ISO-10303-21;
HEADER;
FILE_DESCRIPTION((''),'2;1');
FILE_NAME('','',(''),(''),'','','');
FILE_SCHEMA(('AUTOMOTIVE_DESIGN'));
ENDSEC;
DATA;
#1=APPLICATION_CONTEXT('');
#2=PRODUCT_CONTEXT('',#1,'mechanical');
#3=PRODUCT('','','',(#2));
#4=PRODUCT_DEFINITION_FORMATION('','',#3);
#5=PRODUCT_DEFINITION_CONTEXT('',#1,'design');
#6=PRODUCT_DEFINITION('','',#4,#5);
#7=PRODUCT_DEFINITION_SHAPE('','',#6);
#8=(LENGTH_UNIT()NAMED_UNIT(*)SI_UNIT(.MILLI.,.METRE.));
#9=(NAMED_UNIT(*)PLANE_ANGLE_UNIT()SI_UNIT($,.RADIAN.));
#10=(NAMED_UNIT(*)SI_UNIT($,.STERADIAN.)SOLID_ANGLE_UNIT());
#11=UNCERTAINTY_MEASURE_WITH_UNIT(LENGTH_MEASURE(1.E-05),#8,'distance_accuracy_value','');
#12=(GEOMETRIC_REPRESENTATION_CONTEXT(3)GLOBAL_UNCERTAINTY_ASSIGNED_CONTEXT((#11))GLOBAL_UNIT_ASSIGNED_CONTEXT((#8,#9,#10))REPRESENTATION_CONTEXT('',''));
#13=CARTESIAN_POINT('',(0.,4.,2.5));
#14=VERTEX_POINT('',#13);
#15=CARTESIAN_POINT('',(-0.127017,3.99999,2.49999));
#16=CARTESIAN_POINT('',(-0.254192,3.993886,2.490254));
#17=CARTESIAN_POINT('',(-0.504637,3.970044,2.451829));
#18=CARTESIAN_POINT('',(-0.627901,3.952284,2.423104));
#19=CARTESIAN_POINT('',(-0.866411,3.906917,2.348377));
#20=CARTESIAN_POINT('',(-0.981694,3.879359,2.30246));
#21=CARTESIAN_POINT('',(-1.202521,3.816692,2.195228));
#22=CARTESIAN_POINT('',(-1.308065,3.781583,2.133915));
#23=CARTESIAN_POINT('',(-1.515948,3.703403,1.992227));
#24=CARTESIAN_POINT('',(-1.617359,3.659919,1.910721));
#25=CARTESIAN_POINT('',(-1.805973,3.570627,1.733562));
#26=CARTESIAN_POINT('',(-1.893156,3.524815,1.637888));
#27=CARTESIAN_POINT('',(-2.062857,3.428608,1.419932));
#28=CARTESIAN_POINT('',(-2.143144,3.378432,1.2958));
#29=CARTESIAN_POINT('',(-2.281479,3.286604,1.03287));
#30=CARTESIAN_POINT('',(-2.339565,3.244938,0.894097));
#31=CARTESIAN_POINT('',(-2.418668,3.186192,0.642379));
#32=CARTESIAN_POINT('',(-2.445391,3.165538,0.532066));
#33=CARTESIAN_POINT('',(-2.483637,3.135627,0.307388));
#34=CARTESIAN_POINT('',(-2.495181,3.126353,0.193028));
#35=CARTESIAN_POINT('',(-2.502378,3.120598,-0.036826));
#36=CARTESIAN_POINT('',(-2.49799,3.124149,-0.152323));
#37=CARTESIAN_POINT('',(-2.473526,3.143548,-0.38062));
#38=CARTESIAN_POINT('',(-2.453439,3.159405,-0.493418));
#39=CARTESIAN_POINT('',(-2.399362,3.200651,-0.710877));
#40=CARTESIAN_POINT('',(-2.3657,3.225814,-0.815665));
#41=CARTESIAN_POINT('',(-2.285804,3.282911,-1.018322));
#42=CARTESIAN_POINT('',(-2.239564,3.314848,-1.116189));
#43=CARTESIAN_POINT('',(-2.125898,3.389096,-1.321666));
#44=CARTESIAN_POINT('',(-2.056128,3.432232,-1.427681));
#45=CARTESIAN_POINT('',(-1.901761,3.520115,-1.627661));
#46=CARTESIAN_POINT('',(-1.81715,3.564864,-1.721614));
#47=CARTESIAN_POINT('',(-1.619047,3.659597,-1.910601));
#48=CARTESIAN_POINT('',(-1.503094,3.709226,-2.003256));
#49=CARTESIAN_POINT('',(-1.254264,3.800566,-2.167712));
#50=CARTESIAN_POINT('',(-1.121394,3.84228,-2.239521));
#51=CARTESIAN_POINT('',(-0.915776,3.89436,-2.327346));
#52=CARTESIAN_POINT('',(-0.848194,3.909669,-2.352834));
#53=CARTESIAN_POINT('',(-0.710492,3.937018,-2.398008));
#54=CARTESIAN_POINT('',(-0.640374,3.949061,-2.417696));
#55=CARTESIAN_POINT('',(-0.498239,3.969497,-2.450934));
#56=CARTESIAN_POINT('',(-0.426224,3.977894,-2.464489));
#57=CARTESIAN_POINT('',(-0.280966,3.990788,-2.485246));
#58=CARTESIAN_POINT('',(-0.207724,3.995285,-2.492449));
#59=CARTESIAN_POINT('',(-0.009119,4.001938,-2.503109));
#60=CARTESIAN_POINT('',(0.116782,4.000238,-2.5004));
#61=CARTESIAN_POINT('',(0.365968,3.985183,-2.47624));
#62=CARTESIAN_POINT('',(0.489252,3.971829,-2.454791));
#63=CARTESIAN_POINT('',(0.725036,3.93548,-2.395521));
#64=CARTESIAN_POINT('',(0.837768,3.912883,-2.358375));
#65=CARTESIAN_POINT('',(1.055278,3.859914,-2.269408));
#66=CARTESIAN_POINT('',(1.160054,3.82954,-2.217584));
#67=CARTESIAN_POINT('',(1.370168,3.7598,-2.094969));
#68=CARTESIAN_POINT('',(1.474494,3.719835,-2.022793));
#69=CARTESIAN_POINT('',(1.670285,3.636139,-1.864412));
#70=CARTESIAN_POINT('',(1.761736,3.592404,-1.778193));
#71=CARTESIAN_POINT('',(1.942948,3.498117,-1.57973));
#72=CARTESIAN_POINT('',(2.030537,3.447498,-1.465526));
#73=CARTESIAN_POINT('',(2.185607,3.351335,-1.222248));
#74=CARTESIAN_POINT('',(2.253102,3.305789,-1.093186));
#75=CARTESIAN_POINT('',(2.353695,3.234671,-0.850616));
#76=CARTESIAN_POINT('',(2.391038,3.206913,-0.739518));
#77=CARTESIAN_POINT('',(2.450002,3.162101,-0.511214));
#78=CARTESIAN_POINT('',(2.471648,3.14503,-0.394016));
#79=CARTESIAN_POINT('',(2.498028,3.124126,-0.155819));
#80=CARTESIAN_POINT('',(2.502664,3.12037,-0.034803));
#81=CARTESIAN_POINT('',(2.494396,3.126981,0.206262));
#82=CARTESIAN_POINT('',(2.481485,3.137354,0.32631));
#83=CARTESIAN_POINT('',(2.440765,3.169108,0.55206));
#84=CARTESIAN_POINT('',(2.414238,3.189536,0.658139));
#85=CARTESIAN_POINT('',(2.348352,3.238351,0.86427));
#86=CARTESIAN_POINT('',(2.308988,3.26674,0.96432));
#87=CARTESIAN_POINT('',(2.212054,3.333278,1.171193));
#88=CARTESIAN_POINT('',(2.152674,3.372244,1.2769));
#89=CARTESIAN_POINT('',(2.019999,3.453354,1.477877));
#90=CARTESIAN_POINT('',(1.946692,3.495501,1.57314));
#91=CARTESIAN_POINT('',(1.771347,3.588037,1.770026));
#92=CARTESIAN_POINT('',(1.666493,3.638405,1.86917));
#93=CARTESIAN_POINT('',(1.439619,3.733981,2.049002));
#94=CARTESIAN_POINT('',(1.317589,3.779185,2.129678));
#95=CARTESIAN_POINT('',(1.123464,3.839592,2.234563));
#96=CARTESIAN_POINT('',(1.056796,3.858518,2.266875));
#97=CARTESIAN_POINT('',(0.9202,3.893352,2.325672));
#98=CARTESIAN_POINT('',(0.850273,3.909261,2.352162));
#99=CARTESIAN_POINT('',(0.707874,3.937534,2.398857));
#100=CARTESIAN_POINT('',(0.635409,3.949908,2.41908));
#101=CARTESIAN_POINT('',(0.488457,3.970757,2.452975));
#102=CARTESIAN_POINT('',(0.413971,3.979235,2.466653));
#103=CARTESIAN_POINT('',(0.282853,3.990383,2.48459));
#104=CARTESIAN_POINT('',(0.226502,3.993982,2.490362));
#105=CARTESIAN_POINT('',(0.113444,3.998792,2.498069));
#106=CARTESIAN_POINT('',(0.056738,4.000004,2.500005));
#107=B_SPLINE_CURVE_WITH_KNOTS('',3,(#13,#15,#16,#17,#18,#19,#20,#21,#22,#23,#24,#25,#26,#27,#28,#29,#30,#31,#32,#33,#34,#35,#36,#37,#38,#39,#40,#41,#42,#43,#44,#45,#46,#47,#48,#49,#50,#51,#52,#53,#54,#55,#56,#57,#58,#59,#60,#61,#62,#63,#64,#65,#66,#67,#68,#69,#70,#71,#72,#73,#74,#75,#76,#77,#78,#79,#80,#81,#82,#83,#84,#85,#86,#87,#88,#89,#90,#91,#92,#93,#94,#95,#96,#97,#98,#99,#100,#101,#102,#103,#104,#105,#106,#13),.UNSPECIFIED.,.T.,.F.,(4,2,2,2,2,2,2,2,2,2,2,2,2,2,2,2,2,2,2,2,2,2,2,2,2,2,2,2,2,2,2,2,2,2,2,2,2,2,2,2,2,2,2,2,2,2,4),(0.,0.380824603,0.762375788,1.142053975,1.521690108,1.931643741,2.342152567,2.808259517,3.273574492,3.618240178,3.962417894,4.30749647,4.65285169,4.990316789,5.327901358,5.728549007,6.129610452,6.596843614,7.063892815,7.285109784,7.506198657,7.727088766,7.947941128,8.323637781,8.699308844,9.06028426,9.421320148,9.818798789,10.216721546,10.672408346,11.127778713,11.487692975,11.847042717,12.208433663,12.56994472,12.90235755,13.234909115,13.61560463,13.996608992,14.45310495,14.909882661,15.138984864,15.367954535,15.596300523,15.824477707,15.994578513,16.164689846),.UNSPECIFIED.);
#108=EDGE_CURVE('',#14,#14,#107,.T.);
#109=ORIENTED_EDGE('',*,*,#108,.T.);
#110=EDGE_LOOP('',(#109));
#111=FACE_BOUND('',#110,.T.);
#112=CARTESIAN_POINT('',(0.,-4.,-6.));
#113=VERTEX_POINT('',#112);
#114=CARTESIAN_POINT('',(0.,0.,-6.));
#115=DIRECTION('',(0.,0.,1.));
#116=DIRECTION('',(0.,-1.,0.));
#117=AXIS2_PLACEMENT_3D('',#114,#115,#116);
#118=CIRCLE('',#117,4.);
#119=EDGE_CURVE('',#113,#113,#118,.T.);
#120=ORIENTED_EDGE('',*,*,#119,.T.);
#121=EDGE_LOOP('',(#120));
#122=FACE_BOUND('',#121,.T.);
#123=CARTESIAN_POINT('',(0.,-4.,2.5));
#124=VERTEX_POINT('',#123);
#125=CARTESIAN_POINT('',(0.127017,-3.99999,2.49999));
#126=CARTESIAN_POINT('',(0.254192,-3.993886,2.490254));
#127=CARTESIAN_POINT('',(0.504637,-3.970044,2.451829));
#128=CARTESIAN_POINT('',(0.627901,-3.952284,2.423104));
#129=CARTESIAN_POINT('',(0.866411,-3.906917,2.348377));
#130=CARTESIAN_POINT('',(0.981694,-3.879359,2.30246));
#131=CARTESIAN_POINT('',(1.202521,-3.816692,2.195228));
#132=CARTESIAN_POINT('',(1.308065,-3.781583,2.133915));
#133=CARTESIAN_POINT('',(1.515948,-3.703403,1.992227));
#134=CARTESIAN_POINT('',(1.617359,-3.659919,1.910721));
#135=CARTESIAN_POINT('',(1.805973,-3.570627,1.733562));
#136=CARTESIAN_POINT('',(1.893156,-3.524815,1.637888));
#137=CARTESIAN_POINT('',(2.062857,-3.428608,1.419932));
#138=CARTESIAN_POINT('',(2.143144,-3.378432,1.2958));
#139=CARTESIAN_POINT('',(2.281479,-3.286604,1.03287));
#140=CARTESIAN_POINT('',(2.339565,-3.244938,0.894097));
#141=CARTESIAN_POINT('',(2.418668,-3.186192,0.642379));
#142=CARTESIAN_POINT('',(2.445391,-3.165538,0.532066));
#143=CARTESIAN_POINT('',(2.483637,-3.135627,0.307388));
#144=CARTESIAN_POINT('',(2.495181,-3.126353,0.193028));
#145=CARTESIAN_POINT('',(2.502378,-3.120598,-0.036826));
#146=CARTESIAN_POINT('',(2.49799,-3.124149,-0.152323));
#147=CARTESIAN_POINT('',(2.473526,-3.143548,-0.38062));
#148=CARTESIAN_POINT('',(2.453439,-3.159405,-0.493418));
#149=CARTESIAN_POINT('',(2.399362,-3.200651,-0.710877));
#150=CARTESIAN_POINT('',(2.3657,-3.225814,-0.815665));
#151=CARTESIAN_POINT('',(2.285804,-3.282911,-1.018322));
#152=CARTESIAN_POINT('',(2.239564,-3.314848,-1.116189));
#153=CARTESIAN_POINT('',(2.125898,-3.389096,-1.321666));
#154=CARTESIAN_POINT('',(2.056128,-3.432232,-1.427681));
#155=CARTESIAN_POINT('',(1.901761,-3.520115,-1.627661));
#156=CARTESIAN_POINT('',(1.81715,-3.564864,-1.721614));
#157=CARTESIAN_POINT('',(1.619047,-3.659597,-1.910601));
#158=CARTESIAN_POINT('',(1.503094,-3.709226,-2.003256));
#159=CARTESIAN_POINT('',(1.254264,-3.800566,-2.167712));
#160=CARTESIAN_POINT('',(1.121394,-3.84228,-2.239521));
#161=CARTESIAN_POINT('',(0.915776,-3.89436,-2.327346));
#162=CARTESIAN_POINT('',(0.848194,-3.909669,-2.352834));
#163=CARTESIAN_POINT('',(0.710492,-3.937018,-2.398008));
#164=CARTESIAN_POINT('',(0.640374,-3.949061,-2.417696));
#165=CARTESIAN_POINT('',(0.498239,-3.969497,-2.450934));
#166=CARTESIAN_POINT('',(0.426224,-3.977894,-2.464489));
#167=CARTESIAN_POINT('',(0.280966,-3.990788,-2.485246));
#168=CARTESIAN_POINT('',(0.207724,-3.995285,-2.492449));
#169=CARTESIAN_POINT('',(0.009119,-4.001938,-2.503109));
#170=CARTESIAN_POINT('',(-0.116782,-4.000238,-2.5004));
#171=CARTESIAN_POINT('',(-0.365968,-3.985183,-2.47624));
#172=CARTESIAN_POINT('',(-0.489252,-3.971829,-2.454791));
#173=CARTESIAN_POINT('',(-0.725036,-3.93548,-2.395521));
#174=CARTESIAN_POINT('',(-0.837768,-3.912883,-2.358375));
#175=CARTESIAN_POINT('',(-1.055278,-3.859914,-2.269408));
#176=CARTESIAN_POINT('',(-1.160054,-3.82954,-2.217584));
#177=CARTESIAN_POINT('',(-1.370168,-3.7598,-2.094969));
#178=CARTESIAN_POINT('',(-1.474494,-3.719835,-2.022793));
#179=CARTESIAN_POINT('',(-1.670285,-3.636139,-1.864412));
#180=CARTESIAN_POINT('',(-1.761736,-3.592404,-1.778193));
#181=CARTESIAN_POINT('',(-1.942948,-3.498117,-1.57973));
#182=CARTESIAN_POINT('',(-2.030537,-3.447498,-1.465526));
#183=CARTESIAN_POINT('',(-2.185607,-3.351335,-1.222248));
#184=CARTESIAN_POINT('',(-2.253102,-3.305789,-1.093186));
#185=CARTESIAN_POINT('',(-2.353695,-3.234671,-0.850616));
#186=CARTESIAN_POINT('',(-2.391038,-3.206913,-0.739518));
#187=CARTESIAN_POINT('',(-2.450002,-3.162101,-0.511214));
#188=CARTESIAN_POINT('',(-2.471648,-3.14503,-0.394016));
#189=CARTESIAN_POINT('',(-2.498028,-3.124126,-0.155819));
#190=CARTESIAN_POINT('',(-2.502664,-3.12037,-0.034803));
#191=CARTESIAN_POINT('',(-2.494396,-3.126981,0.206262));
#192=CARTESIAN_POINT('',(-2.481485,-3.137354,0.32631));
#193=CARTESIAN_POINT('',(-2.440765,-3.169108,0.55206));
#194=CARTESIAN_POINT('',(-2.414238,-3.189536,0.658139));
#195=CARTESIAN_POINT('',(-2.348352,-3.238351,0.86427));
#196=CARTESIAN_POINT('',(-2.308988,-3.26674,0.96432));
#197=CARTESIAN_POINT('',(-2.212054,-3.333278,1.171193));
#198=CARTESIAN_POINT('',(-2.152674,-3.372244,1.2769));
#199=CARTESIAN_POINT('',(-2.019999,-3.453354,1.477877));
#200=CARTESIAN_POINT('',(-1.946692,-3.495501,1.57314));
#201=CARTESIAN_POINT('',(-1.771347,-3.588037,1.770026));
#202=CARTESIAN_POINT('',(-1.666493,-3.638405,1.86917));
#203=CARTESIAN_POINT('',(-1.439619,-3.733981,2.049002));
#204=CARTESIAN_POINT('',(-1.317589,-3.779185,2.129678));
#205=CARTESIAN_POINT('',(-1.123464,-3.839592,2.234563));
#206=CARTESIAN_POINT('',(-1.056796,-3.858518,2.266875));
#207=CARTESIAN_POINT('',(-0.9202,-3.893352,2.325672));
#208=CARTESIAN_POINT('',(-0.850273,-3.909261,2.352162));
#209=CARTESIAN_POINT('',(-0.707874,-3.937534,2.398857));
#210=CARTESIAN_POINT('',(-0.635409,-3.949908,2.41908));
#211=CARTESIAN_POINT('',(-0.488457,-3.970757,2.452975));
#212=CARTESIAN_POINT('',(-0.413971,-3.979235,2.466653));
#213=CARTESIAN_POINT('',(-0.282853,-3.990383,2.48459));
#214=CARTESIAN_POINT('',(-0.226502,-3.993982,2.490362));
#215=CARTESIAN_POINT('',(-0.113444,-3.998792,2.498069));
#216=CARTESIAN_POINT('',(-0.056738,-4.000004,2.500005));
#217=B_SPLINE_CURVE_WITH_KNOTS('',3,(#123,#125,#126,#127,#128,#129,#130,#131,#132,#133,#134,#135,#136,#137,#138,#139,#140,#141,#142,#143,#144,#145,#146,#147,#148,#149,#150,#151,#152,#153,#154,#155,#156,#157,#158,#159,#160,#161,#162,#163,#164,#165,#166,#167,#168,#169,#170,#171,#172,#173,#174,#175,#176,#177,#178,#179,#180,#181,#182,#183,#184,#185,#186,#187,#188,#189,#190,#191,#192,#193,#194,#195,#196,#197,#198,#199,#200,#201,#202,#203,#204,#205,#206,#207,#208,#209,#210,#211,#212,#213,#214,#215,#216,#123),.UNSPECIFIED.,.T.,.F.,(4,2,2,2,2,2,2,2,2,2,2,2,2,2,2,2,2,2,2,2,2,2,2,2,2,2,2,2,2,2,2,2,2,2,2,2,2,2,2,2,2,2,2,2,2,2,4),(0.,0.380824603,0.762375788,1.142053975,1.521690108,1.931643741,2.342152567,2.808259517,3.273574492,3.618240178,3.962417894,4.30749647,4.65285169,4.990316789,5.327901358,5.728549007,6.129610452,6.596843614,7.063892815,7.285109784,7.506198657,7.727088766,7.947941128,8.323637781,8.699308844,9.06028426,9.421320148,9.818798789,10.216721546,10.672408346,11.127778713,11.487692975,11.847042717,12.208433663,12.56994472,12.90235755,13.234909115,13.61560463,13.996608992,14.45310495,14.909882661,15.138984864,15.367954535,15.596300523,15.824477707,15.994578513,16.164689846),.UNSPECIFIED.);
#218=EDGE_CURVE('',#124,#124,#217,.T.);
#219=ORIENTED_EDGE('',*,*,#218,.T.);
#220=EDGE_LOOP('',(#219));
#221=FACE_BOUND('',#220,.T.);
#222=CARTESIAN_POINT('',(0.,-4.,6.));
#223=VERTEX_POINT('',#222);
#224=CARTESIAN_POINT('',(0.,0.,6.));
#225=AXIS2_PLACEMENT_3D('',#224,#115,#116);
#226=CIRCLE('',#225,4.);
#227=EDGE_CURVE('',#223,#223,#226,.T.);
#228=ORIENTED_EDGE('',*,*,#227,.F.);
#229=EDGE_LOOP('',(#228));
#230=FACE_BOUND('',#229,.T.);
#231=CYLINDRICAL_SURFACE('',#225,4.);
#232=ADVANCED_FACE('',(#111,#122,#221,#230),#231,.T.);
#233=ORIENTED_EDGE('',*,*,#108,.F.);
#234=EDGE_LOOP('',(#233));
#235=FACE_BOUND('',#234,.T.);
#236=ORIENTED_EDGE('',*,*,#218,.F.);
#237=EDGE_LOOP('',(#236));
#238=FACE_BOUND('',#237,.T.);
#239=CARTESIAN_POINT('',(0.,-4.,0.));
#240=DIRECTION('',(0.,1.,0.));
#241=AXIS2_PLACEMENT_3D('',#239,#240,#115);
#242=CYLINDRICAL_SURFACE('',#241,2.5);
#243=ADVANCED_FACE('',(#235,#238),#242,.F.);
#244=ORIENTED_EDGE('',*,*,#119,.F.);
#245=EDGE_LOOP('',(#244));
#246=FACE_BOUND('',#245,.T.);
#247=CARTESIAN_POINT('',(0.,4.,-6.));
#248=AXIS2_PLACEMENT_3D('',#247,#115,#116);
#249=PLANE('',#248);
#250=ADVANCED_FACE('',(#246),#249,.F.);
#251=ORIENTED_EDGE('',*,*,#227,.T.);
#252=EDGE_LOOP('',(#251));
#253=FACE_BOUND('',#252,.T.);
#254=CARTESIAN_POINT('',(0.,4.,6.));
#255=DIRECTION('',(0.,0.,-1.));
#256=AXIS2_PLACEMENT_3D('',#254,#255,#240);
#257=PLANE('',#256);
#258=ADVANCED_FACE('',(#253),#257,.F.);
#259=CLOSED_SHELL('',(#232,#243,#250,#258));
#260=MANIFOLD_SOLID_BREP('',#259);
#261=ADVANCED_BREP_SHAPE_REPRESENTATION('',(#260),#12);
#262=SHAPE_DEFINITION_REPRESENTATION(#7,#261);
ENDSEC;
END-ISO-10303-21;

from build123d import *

# Parameters (mm, degrees)
CROQUIS2_W                 = 12
CROQUIS2_H                 = 4
CROQUIS3_R                 = 2.5
CORTAR_EXTRUIR1_DEPTH      = 5
CORTAR_EXTRUIR1_DEPTH_BACK = 5


with BuildPart() as part:
    # Croquis2 → Revolución5 (revolve)
    with BuildSketch(Plane(origin=(0, 0, 0), x_dir=(0, 0, -1), z_dir=(1, 0, 0))):
        with Locations((0, 2)):
            Rectangle(CROQUIS2_W, CROQUIS2_H)
    revolve(axis=Axis((0, 0, 6), (0, 0, -1)))

    # Croquis3 → Cortar-Extruir1 (cut, two sides)
    with BuildSketch(Plane(origin=(0, 0, 0), x_dir=(1, 0, 0), z_dir=(0, 1, 0))) as cortar_extruir1_sk:
        Circle(CROQUIS3_R)
    extrude(amount=CORTAR_EXTRUIR1_DEPTH, mode=Mode.SUBTRACT)
    extrude(cortar_extruir1_sk.sketch, amount=-CORTAR_EXTRUIR1_DEPTH_BACK, mode=Mode.SUBTRACT)


solid = part.part
